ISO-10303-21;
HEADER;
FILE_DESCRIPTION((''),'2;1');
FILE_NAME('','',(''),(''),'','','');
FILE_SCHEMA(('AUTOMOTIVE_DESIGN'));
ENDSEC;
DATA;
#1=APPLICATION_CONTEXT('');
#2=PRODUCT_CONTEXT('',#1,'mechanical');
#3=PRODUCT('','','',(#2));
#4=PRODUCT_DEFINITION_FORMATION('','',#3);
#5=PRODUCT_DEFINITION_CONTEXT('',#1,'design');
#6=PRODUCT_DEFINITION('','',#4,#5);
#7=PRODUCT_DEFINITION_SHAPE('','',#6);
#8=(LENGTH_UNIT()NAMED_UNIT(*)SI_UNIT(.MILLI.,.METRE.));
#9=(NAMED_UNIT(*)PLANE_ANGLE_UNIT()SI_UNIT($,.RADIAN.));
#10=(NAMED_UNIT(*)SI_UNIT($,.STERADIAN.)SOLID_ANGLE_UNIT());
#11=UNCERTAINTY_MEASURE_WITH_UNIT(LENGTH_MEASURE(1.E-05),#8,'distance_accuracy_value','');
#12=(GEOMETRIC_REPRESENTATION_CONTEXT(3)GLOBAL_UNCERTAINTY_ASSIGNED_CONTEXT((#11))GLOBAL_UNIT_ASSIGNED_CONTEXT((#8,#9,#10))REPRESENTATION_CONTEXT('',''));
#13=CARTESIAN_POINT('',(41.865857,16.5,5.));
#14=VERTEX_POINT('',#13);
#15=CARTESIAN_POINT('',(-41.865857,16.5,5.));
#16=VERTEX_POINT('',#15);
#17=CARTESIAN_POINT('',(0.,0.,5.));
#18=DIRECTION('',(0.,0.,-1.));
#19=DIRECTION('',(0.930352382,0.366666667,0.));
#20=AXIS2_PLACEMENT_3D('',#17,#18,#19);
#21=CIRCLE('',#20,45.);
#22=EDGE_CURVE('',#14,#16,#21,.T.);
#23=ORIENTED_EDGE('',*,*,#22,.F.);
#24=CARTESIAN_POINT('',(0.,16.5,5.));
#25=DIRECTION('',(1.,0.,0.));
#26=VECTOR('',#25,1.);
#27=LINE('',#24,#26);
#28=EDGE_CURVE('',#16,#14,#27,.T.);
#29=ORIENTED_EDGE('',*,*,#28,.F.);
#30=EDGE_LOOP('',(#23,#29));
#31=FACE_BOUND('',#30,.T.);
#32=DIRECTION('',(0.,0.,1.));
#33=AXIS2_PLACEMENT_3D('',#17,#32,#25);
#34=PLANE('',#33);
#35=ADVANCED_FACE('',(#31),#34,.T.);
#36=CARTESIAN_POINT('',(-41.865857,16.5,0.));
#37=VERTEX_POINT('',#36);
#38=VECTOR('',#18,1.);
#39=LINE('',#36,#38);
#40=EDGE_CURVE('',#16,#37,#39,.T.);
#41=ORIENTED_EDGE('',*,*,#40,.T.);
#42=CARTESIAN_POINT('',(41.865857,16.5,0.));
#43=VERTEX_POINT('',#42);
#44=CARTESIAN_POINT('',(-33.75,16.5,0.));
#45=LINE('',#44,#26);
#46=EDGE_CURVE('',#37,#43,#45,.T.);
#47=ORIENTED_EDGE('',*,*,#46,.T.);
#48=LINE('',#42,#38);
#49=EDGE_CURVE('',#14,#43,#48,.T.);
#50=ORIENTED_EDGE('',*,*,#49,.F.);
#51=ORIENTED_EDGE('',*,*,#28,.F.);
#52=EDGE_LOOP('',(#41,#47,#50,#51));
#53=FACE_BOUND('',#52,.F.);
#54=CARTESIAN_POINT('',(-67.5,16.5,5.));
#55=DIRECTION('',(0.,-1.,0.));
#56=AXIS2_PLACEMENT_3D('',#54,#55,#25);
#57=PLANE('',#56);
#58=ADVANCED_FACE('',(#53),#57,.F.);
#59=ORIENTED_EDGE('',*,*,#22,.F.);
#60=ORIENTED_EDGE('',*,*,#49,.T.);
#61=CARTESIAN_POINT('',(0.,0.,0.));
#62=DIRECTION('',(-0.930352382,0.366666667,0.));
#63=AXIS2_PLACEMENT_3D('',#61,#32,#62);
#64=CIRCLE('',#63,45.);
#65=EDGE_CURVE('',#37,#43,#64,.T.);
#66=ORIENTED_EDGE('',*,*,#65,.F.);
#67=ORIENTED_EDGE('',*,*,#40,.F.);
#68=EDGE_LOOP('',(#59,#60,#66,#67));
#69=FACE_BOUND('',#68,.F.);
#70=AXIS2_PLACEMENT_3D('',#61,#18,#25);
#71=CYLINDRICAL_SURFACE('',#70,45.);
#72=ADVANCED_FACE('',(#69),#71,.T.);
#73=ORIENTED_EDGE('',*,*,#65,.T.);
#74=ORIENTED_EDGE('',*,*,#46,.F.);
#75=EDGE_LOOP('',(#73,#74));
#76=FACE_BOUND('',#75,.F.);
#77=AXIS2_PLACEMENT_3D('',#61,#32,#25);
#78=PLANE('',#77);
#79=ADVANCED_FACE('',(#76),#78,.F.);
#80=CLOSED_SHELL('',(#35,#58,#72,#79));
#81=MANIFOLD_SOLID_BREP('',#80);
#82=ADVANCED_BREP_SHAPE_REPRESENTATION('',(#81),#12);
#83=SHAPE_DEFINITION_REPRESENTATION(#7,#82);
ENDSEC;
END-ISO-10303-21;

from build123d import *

# Parameters (mm, degrees)
SKETCH_1_R     = 45
PAD_1_DEPTH    = 5
SKETCH_2_W     = 135
SKETCH_2_H     = 45
POCKET_2_DEPTH = 5.001


with BuildPart() as part:
    # Sketch_1 → Pad_1 (new body)
    with BuildSketch(Plane.XY):
        Circle(SKETCH_1_R)
    extrude(amount=PAD_1_DEPTH)

    # Sketch_2 (on Face3 of Pad_1) → Pocket_2 (cut, through all)
    with BuildSketch(Plane.XY.offset(5)):
        with Locations((0, 39)):
            Rectangle(SKETCH_2_W, SKETCH_2_H)
    extrude(amount=-POCKET_2_DEPTH, mode=Mode.SUBTRACT)


solid = part.part
